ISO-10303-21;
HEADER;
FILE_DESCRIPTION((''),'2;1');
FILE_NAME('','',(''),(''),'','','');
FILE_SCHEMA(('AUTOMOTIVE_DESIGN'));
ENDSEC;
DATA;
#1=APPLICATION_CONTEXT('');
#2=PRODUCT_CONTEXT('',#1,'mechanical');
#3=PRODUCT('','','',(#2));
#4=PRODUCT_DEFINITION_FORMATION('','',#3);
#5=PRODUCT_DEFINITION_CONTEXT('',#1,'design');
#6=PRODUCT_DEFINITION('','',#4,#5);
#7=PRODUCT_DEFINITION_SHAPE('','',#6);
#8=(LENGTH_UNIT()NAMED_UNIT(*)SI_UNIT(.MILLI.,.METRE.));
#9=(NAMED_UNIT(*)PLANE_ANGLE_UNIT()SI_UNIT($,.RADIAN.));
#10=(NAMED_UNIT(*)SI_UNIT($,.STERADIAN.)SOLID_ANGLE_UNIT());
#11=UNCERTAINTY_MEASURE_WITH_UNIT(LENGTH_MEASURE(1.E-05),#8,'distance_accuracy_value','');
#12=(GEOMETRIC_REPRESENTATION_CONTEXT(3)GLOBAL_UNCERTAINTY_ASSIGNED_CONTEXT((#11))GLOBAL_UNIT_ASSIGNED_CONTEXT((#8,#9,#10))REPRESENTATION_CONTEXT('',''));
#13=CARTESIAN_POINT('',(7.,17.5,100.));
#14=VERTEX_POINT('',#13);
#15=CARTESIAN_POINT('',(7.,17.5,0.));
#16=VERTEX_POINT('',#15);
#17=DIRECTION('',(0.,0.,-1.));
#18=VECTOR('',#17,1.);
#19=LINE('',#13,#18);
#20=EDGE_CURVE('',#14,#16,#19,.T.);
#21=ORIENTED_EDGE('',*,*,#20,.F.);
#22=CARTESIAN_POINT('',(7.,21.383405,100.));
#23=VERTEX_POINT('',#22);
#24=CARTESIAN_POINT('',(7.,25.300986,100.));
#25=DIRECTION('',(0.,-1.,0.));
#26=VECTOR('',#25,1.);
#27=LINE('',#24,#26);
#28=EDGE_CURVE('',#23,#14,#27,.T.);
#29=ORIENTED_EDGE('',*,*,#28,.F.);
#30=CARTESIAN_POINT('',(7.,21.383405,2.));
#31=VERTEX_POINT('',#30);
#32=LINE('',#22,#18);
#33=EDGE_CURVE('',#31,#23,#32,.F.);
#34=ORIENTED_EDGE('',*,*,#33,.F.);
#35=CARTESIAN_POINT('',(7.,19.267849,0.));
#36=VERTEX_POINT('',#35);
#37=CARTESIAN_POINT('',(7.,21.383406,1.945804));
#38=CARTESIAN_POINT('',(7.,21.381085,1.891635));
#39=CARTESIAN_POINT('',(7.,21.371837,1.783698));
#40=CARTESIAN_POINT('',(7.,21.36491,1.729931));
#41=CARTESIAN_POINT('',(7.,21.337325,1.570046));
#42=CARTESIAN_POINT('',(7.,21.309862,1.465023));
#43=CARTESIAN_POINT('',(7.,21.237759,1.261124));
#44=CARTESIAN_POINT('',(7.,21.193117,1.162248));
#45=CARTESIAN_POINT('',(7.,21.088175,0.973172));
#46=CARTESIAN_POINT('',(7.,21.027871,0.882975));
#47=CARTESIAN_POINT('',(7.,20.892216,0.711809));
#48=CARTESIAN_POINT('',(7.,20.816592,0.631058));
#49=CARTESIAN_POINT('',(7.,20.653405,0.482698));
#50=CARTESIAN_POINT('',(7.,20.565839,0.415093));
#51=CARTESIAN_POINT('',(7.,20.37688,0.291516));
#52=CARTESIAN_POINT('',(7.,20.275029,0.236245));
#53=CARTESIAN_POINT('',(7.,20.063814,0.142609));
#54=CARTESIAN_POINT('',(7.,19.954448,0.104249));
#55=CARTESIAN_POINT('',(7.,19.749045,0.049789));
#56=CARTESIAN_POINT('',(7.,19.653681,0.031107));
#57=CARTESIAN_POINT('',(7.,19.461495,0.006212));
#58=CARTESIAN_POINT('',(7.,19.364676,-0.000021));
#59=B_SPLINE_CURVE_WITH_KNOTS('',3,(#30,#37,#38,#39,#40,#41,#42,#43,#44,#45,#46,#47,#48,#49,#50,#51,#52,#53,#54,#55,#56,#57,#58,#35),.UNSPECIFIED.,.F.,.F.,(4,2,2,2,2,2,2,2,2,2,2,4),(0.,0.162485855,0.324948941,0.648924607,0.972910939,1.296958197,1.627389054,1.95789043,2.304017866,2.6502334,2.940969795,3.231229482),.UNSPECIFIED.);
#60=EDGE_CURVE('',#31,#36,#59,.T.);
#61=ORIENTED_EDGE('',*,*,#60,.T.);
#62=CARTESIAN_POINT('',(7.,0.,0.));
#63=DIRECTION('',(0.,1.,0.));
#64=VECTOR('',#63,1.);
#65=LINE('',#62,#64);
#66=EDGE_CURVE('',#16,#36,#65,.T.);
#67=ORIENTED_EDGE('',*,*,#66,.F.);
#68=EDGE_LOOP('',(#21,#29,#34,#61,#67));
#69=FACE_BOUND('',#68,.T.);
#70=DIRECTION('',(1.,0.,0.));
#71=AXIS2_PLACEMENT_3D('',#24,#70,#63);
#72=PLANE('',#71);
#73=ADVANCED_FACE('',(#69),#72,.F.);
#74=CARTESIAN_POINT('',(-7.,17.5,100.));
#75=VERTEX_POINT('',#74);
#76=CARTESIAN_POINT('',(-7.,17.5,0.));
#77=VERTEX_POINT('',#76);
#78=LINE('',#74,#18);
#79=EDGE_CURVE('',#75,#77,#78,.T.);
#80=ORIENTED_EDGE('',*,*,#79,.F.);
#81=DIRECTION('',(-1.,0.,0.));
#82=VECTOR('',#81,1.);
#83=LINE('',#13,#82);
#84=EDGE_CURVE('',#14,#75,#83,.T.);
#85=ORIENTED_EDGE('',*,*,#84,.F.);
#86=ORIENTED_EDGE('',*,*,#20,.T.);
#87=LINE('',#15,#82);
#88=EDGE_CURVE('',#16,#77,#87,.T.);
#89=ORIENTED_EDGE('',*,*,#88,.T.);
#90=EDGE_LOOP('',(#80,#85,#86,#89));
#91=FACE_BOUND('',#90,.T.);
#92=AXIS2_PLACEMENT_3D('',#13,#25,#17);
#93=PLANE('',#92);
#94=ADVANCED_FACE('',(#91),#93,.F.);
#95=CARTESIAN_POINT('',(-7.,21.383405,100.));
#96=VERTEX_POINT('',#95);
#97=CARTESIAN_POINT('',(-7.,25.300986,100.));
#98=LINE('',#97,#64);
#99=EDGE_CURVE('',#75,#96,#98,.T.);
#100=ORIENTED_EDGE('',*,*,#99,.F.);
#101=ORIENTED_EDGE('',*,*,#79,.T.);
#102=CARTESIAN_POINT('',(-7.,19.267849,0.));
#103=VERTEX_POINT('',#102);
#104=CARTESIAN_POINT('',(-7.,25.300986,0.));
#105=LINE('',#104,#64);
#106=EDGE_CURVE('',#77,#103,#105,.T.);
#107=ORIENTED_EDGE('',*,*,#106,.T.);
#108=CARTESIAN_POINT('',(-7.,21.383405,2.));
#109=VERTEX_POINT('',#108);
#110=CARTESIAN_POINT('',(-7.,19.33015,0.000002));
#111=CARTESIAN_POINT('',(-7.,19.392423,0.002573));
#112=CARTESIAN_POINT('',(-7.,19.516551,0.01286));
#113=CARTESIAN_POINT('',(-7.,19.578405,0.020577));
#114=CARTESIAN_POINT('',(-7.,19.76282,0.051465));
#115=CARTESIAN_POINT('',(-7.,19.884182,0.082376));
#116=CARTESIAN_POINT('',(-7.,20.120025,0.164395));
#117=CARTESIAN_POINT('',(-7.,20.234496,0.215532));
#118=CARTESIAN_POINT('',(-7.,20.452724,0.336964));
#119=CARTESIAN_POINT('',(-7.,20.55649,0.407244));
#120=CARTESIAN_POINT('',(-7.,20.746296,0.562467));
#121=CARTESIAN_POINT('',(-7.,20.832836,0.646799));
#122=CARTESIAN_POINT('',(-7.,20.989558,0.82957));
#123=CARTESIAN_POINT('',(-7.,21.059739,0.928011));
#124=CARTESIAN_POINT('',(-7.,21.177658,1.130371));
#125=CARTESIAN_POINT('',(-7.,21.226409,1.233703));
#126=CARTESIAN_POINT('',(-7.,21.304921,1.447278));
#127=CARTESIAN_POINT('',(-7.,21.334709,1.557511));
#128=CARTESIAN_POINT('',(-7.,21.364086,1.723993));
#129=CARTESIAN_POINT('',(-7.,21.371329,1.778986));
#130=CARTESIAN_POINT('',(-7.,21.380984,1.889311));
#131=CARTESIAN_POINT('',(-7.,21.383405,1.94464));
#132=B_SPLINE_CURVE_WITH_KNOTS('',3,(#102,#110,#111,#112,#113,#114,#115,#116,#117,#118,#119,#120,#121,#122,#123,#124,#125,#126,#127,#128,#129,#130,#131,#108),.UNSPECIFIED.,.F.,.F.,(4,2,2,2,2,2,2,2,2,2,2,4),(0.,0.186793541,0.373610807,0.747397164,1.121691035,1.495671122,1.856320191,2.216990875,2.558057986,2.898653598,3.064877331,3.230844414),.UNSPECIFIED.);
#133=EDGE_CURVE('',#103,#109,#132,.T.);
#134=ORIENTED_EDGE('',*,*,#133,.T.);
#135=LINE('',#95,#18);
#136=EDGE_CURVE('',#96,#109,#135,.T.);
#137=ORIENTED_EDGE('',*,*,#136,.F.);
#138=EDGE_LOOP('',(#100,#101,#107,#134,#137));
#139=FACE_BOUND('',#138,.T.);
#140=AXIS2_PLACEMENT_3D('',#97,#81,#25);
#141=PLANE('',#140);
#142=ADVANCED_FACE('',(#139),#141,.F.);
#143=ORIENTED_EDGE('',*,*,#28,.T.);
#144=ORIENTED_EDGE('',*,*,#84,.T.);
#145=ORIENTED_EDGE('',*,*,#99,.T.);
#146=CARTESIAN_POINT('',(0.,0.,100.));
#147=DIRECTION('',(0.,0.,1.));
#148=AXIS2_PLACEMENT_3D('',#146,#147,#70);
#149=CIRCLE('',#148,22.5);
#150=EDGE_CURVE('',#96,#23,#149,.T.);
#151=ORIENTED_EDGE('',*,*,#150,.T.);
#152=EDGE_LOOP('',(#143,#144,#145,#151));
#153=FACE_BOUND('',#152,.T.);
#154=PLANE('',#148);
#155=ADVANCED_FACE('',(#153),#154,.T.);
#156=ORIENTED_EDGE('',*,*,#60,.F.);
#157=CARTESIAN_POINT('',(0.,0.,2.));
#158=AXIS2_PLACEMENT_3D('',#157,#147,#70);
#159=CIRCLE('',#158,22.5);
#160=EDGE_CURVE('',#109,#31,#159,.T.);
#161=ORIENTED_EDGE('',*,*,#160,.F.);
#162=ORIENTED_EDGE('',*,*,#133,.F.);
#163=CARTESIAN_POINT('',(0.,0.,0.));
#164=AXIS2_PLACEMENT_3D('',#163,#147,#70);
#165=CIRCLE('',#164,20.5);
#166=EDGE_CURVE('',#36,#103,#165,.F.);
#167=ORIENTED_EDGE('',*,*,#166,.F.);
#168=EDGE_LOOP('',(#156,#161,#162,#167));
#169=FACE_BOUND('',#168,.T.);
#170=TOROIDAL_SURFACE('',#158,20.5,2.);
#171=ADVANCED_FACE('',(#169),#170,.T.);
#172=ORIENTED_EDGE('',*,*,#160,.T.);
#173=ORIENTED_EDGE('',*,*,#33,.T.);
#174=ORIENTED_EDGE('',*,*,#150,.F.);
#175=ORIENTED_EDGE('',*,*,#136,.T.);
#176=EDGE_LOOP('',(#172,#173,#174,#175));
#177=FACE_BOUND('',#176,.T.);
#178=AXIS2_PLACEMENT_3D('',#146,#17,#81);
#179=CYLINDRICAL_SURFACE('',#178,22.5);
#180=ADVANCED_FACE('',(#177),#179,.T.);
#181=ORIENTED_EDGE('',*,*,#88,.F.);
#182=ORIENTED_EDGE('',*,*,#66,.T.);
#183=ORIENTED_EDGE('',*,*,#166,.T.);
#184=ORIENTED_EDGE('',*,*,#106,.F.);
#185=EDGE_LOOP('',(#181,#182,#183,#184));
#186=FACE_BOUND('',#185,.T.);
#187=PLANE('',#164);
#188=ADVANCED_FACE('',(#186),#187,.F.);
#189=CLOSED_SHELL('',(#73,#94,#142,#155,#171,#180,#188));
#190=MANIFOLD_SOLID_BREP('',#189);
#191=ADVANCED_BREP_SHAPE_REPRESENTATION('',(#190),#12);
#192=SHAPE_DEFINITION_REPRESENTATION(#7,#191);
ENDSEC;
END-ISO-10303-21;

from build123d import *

# Parameters (mm, degrees)
SKETCH1_R           = 22.5
BOSS_EXTRUDE3_DEPTH = 100
SKETCH5_W           = 14
SKETCH5_H           = 7.800985848
CUT_EXTRUDE2_DEPTH  = 100
FILLET1_R           = 2


with BuildPart() as part:
    # Sketch1 → Boss-Extrude3 (new body)
    with BuildSketch(Plane.XY):
        Circle(SKETCH1_R)
    extrude(amount=BOSS_EXTRUDE3_DEPTH)

    # Sketch5 → Cut-Extrude2 (cut)
    with BuildSketch(Plane(origin=(0, 0, 0), x_dir=(-1, 0, 0), z_dir=(0, 0, -1))):
        with Locations((0, 21.400492924)):
            Rectangle(SKETCH5_W, SKETCH5_H)
    extrude(amount=-CUT_EXTRUDE2_DEPTH, mode=Mode.SUBTRACT)

    # Fillet1
    fillet1_edges = [part.edges().sort_by_distance(p)[0] for p in [
        (0, -22.5, 0),
    ]]
    fillet(fillet1_edges, radius=FILLET1_R)


solid = part.part
